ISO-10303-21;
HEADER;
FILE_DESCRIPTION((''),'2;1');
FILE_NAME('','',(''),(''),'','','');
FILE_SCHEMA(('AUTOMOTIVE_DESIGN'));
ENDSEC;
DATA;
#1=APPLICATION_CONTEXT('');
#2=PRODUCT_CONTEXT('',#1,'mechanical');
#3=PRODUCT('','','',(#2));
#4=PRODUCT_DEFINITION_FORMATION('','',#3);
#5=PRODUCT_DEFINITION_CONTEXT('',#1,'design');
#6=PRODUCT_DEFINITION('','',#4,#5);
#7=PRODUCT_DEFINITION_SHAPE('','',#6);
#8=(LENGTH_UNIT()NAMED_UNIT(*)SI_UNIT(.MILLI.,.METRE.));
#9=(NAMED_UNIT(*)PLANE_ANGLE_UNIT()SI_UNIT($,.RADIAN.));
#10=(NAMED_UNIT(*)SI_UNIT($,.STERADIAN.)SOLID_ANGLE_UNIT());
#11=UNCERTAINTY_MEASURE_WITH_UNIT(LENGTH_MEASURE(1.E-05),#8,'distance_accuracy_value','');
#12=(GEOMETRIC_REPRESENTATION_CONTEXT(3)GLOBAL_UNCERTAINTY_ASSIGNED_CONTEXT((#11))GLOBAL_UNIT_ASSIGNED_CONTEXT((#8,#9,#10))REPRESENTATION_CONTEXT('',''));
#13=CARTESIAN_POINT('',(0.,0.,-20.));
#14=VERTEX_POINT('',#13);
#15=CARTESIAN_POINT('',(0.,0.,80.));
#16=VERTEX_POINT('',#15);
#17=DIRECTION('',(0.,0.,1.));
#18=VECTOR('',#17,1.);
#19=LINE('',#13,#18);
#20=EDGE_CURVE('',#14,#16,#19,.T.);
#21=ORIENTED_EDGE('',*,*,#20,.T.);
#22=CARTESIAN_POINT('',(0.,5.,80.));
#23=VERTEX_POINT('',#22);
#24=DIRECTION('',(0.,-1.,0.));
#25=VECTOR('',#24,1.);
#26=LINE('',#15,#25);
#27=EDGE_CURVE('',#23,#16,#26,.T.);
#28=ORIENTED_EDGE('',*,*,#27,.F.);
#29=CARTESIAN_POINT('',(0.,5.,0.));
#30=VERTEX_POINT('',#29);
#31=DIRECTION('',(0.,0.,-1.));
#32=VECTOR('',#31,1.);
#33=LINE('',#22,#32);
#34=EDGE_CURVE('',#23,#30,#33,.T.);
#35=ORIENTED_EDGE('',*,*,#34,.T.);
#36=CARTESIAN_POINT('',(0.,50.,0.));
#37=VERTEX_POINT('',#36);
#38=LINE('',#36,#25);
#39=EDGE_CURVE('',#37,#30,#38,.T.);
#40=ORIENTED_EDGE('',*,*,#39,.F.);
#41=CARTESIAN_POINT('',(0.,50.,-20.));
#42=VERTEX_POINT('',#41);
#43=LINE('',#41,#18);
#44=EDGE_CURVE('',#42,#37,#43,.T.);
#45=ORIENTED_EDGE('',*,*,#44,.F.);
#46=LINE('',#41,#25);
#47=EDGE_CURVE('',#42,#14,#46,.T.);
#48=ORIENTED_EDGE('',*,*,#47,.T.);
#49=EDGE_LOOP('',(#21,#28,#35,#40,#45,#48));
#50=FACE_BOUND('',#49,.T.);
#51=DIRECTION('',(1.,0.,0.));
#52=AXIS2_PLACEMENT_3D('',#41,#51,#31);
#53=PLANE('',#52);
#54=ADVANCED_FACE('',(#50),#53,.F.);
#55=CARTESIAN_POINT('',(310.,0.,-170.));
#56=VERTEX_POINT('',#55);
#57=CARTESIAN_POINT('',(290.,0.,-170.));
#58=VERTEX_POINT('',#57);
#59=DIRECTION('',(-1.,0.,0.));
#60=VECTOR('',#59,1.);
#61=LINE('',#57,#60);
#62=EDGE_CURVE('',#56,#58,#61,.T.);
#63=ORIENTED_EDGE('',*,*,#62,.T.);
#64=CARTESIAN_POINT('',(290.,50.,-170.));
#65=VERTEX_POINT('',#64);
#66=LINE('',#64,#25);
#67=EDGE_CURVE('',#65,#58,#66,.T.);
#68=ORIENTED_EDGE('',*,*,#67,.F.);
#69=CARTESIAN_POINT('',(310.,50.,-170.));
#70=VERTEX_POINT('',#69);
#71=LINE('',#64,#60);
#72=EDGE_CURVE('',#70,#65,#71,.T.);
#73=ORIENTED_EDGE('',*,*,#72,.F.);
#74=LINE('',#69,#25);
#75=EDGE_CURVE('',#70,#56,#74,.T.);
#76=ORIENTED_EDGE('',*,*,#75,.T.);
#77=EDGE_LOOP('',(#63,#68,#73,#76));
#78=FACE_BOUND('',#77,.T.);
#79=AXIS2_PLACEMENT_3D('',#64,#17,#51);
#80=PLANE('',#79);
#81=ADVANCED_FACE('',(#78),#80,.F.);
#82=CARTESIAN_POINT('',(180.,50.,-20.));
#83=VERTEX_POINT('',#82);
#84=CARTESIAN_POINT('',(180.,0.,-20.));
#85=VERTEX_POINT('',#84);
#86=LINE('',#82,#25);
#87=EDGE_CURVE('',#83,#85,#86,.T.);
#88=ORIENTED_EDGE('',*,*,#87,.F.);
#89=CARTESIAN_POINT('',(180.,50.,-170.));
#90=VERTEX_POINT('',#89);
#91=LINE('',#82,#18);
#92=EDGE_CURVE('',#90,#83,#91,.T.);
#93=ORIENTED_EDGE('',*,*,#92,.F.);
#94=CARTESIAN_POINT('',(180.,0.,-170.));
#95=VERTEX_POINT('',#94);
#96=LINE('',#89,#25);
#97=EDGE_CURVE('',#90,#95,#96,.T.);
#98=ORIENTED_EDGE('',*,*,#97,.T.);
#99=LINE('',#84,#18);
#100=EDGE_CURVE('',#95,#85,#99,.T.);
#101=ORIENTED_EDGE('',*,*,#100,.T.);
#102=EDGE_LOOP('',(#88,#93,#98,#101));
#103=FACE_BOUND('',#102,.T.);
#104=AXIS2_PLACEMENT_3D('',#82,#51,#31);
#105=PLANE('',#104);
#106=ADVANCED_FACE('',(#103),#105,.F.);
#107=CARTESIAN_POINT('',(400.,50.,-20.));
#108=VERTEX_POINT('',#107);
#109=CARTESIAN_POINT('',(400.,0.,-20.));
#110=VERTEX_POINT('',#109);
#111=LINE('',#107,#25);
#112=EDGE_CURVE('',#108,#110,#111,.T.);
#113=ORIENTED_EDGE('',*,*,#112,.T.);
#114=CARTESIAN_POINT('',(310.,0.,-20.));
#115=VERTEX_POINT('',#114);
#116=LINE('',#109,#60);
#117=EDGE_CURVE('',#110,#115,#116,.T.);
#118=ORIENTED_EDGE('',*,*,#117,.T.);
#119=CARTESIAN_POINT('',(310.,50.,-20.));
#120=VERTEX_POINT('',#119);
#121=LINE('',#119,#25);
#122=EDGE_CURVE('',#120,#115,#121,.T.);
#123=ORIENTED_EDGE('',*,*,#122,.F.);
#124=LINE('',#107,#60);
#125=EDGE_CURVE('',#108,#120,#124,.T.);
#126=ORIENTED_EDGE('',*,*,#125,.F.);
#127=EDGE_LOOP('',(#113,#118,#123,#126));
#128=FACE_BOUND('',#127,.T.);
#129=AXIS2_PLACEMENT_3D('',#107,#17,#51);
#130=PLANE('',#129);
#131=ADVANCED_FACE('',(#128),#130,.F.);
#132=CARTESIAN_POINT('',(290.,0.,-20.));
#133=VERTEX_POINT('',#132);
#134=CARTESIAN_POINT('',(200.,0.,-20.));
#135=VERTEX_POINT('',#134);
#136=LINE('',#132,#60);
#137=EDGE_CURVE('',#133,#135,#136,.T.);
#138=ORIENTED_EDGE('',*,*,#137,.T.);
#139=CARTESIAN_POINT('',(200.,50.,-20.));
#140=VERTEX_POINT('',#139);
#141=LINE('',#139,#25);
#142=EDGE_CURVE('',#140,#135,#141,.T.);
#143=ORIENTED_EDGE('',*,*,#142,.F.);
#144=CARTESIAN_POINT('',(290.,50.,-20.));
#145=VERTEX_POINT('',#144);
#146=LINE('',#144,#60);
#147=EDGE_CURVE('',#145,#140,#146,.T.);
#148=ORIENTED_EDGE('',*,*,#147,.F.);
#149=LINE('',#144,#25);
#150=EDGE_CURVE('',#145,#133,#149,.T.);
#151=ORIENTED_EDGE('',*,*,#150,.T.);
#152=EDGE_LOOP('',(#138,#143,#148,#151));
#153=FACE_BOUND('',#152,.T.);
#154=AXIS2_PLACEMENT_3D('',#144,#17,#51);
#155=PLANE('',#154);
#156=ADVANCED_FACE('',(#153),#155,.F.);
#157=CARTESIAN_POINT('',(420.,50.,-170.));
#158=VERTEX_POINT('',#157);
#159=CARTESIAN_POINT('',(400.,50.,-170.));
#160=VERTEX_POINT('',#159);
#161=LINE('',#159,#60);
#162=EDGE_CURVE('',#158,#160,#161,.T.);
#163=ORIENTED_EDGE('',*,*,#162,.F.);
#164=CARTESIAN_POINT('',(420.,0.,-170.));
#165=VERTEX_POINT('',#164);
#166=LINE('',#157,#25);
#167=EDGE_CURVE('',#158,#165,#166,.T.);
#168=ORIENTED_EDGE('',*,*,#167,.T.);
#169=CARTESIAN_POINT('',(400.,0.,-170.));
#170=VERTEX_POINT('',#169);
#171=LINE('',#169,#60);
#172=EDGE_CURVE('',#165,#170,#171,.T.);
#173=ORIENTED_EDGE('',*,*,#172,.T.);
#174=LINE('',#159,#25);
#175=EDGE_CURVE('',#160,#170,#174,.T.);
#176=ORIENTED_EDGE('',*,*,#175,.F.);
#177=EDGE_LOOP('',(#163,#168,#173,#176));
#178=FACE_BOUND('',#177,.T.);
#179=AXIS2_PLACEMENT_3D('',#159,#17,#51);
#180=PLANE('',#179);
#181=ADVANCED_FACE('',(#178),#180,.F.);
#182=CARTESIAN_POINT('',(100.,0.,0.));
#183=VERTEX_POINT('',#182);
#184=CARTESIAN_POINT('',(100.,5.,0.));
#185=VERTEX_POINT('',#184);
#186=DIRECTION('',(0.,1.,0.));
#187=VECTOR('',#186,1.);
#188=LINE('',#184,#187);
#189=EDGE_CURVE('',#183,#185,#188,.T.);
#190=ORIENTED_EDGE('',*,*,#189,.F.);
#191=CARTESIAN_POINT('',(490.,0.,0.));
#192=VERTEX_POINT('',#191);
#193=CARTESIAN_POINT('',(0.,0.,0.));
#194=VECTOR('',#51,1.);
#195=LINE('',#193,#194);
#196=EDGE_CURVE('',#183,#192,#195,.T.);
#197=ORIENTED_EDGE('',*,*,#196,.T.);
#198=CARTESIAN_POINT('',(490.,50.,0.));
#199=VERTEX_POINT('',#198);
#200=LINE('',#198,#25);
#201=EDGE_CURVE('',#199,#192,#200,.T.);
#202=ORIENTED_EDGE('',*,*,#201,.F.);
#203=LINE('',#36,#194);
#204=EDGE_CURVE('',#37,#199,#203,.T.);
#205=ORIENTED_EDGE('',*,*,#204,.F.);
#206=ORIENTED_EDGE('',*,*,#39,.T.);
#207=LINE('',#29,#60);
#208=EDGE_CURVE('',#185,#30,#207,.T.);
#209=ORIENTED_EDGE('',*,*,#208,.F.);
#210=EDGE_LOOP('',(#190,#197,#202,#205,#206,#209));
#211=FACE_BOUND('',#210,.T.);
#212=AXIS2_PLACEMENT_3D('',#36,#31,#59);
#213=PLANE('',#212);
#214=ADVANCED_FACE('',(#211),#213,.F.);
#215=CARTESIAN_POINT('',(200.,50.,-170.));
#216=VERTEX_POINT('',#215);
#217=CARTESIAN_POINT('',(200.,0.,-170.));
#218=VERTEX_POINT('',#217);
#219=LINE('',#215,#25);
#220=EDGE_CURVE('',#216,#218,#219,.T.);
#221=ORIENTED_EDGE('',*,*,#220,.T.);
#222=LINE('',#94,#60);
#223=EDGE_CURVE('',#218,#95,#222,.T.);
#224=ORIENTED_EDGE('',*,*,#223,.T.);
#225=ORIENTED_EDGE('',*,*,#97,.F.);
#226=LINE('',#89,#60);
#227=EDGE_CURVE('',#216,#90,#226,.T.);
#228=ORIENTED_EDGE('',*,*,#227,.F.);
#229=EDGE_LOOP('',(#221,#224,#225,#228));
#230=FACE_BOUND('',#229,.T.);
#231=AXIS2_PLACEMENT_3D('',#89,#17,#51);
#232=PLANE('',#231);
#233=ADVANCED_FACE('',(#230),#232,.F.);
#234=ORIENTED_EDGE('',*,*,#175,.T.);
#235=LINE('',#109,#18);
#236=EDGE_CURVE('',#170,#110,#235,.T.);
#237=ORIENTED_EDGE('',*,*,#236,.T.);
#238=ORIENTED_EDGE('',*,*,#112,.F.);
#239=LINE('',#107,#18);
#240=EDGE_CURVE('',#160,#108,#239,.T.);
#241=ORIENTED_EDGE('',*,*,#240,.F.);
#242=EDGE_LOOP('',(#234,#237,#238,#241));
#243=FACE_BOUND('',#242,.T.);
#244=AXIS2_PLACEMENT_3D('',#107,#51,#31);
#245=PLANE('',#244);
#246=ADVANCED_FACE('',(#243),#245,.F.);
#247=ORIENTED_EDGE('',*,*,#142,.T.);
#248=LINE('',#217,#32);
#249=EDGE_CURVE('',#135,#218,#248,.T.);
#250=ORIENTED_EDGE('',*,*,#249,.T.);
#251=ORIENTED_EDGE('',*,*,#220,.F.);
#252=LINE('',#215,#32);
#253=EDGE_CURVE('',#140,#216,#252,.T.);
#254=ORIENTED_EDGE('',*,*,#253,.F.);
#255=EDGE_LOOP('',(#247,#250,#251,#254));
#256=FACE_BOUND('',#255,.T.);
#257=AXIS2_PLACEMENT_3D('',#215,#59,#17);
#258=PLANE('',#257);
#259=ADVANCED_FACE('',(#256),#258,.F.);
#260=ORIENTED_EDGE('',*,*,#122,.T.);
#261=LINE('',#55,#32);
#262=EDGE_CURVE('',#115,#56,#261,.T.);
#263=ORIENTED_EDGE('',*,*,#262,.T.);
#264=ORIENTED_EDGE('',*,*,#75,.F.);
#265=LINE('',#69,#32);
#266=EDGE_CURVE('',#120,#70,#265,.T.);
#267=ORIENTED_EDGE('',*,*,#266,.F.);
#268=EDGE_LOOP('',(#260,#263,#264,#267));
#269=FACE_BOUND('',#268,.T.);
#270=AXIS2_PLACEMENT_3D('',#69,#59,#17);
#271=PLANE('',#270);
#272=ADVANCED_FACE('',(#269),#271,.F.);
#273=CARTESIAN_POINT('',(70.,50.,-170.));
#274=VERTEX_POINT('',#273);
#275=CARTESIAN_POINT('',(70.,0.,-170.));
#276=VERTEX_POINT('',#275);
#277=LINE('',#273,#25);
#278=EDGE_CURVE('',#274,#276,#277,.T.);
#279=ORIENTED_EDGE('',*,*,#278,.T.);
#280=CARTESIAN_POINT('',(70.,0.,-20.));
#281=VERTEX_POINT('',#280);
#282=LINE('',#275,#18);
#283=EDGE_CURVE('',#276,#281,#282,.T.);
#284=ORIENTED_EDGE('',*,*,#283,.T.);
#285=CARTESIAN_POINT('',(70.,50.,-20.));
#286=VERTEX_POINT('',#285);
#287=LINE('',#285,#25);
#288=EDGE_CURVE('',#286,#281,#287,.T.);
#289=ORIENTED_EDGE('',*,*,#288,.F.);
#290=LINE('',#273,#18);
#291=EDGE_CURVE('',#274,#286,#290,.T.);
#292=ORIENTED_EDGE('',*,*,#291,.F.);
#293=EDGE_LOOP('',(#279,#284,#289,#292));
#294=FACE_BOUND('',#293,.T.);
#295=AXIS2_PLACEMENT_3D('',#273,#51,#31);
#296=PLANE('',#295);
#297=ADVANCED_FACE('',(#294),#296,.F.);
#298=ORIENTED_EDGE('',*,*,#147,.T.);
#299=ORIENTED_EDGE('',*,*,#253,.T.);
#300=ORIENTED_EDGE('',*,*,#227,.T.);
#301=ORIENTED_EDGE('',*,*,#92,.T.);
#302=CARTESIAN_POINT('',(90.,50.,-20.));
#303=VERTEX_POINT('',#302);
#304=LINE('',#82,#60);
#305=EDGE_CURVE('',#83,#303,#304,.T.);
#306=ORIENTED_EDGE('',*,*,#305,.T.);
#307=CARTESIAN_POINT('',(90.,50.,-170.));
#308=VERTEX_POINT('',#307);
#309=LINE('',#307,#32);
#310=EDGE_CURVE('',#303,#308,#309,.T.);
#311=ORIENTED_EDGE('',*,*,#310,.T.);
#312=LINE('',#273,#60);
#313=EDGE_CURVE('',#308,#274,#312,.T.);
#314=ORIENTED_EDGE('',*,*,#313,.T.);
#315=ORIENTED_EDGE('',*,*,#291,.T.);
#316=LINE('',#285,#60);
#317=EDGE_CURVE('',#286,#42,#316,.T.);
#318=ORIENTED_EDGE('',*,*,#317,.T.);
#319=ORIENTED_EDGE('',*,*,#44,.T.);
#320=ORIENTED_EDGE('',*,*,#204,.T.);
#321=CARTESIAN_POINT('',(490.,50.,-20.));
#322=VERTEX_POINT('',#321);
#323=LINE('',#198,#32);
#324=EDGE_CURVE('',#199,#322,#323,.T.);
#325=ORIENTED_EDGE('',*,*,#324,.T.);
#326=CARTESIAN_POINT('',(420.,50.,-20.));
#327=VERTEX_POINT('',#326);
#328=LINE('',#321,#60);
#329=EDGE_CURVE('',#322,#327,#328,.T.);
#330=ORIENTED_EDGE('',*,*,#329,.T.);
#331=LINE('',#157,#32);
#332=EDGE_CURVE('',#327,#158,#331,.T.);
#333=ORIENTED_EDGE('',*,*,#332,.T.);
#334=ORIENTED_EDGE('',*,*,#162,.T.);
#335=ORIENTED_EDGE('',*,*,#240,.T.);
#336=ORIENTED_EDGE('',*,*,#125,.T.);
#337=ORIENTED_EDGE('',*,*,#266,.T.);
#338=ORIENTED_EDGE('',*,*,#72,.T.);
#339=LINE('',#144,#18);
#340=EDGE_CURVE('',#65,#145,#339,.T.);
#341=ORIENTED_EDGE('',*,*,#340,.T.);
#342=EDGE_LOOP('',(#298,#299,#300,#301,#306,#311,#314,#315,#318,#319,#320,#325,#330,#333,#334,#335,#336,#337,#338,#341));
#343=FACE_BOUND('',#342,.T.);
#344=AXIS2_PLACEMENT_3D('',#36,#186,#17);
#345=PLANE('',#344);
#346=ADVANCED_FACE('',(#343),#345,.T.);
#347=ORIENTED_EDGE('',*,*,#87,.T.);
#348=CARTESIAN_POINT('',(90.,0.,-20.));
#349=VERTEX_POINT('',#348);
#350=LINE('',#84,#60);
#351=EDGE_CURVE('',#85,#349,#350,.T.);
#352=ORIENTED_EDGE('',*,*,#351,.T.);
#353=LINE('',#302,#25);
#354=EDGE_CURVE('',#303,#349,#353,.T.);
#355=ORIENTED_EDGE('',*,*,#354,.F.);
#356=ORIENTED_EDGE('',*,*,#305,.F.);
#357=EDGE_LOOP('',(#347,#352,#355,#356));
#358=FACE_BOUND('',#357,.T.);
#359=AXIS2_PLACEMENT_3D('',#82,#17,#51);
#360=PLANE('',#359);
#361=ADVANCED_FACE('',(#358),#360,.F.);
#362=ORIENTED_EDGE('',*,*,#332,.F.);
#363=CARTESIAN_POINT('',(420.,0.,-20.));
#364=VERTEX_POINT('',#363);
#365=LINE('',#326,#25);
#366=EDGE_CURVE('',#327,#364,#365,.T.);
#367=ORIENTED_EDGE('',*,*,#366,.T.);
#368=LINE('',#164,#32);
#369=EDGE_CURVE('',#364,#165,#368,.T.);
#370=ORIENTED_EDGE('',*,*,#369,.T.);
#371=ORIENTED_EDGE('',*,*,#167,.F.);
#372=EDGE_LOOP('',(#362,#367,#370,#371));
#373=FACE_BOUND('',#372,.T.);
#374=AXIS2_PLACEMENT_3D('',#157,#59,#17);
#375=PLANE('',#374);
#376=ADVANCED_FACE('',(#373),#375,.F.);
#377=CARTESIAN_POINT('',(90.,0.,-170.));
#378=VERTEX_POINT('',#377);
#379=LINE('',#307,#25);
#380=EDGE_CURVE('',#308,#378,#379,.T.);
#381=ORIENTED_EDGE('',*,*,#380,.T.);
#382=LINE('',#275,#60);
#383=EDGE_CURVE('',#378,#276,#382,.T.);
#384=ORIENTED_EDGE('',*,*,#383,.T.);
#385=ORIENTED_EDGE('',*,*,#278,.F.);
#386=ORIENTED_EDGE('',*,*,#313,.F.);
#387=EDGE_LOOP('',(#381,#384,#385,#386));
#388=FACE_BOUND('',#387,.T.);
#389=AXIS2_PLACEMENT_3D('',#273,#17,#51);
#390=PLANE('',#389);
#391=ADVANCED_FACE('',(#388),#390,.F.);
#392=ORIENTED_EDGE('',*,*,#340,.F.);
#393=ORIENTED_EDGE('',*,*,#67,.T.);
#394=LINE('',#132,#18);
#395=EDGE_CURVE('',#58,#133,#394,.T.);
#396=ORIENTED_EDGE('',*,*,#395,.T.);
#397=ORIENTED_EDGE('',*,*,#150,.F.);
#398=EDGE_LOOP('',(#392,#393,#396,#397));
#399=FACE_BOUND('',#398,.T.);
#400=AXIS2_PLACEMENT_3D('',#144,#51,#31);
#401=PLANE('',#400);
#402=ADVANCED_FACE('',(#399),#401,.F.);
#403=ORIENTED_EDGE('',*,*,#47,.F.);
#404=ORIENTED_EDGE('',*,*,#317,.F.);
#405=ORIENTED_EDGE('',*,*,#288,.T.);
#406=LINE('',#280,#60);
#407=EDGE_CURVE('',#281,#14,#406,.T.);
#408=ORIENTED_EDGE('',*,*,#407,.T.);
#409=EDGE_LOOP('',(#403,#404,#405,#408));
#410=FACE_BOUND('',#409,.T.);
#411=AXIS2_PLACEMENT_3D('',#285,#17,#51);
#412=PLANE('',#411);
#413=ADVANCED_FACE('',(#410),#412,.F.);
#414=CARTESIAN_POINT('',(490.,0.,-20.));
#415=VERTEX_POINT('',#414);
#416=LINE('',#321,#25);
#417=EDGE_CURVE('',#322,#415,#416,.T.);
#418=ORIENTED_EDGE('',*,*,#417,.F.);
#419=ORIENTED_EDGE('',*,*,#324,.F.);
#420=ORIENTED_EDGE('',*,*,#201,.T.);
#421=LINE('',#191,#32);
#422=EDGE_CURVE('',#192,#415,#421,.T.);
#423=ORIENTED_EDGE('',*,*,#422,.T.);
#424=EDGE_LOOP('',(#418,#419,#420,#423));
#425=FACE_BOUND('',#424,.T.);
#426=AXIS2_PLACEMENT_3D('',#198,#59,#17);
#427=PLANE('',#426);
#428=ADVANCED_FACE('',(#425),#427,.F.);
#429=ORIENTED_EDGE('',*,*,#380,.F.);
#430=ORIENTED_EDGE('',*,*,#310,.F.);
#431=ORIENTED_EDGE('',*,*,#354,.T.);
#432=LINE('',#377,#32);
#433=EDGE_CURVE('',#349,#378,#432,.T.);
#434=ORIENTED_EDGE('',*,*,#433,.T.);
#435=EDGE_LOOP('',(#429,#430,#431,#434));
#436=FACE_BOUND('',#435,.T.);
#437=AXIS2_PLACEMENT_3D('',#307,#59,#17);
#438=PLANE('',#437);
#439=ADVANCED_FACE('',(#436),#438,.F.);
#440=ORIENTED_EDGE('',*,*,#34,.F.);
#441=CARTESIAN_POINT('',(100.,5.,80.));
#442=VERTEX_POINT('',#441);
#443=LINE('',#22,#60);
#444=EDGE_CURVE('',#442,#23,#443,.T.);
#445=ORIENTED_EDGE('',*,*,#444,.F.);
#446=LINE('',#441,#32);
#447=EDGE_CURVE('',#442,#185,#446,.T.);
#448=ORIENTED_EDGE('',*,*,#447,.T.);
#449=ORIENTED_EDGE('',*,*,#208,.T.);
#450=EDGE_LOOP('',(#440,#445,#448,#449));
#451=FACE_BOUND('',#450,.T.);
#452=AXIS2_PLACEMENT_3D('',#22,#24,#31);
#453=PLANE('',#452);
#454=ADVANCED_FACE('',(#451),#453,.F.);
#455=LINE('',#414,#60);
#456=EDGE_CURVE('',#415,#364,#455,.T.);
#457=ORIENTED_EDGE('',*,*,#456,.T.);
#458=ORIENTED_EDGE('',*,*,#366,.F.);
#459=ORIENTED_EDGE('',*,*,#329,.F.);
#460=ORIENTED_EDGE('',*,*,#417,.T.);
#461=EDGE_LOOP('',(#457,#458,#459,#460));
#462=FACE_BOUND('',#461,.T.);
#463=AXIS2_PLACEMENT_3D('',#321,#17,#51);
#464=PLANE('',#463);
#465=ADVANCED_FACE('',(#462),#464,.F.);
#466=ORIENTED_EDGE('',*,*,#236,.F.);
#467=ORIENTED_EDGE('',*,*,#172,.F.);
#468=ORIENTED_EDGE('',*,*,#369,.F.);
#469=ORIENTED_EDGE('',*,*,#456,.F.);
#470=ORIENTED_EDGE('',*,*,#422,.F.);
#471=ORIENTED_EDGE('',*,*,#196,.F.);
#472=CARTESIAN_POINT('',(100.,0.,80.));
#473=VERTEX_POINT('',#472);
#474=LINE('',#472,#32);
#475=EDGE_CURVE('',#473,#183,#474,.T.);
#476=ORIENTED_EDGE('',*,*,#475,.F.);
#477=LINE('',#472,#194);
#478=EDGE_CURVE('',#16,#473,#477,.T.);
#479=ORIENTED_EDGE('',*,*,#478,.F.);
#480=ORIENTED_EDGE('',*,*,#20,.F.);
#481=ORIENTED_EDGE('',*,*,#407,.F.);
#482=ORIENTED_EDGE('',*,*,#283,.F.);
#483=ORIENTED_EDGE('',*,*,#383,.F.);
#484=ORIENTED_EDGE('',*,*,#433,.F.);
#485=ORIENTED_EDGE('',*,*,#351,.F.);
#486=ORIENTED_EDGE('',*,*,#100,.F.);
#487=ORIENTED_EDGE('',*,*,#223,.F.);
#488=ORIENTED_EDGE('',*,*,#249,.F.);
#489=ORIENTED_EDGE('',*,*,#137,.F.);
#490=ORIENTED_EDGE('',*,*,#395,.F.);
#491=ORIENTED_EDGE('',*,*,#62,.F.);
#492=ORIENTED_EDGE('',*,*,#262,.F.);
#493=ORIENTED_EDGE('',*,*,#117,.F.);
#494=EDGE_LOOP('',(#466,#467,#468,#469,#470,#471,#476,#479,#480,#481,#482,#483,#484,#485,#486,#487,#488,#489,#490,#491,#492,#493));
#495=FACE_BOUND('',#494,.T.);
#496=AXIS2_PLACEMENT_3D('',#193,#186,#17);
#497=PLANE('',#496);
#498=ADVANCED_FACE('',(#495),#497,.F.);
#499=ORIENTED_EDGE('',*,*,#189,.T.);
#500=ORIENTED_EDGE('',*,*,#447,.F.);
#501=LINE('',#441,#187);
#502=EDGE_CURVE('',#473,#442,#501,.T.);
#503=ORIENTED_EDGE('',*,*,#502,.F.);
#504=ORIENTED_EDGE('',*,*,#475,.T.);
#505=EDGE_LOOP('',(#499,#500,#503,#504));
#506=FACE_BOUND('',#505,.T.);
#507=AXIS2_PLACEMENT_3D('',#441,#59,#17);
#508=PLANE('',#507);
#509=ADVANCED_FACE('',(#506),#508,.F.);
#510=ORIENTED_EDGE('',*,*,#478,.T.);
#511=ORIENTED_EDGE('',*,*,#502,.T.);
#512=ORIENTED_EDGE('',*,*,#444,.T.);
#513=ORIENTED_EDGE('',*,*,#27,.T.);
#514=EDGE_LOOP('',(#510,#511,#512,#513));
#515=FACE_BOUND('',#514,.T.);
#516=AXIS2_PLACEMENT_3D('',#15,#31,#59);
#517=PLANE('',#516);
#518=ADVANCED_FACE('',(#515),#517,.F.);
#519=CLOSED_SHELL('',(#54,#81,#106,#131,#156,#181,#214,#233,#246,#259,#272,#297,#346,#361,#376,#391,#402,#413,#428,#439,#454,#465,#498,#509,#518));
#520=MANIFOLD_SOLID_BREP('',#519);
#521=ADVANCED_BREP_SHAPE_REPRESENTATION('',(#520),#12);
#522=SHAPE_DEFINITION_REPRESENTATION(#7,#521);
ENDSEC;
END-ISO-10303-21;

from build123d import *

# Parameters (mm, degrees)
BOSS_EXTRUDE1_DEPTH = 50
SKETCH2_W           = 100
SKETCH2_H           = 5
BOSS_EXTRUDE2_DEPTH = 80


with BuildPart() as part:
    # Sketch1 → Boss-Extrude1 (new body)
    with BuildSketch(Plane(origin=(0, 0, 0), x_dir=(1, 0, 0), z_dir=(0, 1, 0))):
        Polygon((0, 0), (490, 0), (490, 20), (420, 20), (420, 170), (400, 170), (400, 20), (310, 20), (310, 170), (290, 170), (290, 20), (200, 20), (200, 170), (180, 170), (180, 20), (90, 20), (90, 170), (70, 170), (70, 20), (0, 20), align=None)
    extrude(amount=BOSS_EXTRUDE1_DEPTH)

    # Sketch2 → Boss-Extrude2 (add)
    with BuildSketch(Plane.XY):
        with Locations((50, 2.5)):
            Rectangle(SKETCH2_W, SKETCH2_H)
    extrude(amount=BOSS_EXTRUDE2_DEPTH)


solid = part.part
